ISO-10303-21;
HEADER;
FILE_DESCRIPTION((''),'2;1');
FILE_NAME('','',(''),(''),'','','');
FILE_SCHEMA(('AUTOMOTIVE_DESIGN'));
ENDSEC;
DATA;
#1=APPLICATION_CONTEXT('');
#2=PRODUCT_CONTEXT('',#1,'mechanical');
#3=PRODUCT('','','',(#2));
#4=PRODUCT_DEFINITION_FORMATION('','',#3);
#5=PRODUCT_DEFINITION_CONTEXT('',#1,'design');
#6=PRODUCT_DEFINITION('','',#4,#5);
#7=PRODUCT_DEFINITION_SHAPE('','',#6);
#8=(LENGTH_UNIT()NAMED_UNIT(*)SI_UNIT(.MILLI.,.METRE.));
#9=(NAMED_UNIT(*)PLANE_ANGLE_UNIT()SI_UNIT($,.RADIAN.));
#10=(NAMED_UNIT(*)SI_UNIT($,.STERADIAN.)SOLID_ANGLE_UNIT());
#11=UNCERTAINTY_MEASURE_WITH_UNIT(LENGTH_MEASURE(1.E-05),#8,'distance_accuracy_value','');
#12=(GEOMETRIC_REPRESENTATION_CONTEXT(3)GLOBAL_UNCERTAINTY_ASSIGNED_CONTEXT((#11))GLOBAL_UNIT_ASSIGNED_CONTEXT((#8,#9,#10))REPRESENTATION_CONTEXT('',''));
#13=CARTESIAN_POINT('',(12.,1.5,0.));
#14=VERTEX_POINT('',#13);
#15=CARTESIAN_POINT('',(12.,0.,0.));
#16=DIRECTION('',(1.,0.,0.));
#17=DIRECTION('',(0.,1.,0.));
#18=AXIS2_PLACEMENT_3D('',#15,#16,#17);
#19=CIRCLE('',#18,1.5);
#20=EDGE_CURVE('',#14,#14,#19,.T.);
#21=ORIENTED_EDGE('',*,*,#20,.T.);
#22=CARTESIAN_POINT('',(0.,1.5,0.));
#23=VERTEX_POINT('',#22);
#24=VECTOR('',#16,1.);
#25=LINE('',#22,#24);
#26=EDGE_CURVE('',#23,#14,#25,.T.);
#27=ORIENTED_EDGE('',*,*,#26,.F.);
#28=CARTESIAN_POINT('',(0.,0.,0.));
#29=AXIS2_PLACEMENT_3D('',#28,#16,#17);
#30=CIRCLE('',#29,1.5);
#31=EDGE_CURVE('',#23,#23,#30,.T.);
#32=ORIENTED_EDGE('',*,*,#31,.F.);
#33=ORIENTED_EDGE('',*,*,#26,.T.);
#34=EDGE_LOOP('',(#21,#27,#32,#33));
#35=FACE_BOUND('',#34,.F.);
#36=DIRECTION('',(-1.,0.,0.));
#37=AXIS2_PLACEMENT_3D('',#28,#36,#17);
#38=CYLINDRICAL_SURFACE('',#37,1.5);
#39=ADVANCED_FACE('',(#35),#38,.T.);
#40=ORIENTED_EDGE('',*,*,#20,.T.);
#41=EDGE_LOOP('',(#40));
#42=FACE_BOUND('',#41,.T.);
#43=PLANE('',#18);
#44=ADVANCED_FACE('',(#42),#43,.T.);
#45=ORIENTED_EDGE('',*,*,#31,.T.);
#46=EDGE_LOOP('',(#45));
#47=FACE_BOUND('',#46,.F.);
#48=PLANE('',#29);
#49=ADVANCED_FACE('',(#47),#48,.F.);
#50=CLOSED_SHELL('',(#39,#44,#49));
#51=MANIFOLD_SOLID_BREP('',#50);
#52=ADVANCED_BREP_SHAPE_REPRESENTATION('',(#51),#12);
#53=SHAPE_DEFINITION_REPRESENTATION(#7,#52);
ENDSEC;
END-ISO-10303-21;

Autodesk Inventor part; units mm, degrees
ref_plane "YZ Plane" through (0, 0, 0) normal (1, 0, 0) x (0, 1, 0)
ref_plane "XZ Plane" through (0, 0, 0) normal (0, 1, 0) x (-1, 0, 0)
ref_plane "XY Plane" through (0, 0, 0) normal (0, 0, 1) x (1, 0, 0)
sketch "スケッチ1" plane through (0, 0, 0) normal (1, 0, 0) x (0, 1, 0)
  circle A0 centre (0, 0) radius 1.5
  dimension "d0" = 3
extrude "押し出し1" add sketch "スケッチ1" along normal blind 12
properties part number "bearing_shaft" material "鋼、合金"
